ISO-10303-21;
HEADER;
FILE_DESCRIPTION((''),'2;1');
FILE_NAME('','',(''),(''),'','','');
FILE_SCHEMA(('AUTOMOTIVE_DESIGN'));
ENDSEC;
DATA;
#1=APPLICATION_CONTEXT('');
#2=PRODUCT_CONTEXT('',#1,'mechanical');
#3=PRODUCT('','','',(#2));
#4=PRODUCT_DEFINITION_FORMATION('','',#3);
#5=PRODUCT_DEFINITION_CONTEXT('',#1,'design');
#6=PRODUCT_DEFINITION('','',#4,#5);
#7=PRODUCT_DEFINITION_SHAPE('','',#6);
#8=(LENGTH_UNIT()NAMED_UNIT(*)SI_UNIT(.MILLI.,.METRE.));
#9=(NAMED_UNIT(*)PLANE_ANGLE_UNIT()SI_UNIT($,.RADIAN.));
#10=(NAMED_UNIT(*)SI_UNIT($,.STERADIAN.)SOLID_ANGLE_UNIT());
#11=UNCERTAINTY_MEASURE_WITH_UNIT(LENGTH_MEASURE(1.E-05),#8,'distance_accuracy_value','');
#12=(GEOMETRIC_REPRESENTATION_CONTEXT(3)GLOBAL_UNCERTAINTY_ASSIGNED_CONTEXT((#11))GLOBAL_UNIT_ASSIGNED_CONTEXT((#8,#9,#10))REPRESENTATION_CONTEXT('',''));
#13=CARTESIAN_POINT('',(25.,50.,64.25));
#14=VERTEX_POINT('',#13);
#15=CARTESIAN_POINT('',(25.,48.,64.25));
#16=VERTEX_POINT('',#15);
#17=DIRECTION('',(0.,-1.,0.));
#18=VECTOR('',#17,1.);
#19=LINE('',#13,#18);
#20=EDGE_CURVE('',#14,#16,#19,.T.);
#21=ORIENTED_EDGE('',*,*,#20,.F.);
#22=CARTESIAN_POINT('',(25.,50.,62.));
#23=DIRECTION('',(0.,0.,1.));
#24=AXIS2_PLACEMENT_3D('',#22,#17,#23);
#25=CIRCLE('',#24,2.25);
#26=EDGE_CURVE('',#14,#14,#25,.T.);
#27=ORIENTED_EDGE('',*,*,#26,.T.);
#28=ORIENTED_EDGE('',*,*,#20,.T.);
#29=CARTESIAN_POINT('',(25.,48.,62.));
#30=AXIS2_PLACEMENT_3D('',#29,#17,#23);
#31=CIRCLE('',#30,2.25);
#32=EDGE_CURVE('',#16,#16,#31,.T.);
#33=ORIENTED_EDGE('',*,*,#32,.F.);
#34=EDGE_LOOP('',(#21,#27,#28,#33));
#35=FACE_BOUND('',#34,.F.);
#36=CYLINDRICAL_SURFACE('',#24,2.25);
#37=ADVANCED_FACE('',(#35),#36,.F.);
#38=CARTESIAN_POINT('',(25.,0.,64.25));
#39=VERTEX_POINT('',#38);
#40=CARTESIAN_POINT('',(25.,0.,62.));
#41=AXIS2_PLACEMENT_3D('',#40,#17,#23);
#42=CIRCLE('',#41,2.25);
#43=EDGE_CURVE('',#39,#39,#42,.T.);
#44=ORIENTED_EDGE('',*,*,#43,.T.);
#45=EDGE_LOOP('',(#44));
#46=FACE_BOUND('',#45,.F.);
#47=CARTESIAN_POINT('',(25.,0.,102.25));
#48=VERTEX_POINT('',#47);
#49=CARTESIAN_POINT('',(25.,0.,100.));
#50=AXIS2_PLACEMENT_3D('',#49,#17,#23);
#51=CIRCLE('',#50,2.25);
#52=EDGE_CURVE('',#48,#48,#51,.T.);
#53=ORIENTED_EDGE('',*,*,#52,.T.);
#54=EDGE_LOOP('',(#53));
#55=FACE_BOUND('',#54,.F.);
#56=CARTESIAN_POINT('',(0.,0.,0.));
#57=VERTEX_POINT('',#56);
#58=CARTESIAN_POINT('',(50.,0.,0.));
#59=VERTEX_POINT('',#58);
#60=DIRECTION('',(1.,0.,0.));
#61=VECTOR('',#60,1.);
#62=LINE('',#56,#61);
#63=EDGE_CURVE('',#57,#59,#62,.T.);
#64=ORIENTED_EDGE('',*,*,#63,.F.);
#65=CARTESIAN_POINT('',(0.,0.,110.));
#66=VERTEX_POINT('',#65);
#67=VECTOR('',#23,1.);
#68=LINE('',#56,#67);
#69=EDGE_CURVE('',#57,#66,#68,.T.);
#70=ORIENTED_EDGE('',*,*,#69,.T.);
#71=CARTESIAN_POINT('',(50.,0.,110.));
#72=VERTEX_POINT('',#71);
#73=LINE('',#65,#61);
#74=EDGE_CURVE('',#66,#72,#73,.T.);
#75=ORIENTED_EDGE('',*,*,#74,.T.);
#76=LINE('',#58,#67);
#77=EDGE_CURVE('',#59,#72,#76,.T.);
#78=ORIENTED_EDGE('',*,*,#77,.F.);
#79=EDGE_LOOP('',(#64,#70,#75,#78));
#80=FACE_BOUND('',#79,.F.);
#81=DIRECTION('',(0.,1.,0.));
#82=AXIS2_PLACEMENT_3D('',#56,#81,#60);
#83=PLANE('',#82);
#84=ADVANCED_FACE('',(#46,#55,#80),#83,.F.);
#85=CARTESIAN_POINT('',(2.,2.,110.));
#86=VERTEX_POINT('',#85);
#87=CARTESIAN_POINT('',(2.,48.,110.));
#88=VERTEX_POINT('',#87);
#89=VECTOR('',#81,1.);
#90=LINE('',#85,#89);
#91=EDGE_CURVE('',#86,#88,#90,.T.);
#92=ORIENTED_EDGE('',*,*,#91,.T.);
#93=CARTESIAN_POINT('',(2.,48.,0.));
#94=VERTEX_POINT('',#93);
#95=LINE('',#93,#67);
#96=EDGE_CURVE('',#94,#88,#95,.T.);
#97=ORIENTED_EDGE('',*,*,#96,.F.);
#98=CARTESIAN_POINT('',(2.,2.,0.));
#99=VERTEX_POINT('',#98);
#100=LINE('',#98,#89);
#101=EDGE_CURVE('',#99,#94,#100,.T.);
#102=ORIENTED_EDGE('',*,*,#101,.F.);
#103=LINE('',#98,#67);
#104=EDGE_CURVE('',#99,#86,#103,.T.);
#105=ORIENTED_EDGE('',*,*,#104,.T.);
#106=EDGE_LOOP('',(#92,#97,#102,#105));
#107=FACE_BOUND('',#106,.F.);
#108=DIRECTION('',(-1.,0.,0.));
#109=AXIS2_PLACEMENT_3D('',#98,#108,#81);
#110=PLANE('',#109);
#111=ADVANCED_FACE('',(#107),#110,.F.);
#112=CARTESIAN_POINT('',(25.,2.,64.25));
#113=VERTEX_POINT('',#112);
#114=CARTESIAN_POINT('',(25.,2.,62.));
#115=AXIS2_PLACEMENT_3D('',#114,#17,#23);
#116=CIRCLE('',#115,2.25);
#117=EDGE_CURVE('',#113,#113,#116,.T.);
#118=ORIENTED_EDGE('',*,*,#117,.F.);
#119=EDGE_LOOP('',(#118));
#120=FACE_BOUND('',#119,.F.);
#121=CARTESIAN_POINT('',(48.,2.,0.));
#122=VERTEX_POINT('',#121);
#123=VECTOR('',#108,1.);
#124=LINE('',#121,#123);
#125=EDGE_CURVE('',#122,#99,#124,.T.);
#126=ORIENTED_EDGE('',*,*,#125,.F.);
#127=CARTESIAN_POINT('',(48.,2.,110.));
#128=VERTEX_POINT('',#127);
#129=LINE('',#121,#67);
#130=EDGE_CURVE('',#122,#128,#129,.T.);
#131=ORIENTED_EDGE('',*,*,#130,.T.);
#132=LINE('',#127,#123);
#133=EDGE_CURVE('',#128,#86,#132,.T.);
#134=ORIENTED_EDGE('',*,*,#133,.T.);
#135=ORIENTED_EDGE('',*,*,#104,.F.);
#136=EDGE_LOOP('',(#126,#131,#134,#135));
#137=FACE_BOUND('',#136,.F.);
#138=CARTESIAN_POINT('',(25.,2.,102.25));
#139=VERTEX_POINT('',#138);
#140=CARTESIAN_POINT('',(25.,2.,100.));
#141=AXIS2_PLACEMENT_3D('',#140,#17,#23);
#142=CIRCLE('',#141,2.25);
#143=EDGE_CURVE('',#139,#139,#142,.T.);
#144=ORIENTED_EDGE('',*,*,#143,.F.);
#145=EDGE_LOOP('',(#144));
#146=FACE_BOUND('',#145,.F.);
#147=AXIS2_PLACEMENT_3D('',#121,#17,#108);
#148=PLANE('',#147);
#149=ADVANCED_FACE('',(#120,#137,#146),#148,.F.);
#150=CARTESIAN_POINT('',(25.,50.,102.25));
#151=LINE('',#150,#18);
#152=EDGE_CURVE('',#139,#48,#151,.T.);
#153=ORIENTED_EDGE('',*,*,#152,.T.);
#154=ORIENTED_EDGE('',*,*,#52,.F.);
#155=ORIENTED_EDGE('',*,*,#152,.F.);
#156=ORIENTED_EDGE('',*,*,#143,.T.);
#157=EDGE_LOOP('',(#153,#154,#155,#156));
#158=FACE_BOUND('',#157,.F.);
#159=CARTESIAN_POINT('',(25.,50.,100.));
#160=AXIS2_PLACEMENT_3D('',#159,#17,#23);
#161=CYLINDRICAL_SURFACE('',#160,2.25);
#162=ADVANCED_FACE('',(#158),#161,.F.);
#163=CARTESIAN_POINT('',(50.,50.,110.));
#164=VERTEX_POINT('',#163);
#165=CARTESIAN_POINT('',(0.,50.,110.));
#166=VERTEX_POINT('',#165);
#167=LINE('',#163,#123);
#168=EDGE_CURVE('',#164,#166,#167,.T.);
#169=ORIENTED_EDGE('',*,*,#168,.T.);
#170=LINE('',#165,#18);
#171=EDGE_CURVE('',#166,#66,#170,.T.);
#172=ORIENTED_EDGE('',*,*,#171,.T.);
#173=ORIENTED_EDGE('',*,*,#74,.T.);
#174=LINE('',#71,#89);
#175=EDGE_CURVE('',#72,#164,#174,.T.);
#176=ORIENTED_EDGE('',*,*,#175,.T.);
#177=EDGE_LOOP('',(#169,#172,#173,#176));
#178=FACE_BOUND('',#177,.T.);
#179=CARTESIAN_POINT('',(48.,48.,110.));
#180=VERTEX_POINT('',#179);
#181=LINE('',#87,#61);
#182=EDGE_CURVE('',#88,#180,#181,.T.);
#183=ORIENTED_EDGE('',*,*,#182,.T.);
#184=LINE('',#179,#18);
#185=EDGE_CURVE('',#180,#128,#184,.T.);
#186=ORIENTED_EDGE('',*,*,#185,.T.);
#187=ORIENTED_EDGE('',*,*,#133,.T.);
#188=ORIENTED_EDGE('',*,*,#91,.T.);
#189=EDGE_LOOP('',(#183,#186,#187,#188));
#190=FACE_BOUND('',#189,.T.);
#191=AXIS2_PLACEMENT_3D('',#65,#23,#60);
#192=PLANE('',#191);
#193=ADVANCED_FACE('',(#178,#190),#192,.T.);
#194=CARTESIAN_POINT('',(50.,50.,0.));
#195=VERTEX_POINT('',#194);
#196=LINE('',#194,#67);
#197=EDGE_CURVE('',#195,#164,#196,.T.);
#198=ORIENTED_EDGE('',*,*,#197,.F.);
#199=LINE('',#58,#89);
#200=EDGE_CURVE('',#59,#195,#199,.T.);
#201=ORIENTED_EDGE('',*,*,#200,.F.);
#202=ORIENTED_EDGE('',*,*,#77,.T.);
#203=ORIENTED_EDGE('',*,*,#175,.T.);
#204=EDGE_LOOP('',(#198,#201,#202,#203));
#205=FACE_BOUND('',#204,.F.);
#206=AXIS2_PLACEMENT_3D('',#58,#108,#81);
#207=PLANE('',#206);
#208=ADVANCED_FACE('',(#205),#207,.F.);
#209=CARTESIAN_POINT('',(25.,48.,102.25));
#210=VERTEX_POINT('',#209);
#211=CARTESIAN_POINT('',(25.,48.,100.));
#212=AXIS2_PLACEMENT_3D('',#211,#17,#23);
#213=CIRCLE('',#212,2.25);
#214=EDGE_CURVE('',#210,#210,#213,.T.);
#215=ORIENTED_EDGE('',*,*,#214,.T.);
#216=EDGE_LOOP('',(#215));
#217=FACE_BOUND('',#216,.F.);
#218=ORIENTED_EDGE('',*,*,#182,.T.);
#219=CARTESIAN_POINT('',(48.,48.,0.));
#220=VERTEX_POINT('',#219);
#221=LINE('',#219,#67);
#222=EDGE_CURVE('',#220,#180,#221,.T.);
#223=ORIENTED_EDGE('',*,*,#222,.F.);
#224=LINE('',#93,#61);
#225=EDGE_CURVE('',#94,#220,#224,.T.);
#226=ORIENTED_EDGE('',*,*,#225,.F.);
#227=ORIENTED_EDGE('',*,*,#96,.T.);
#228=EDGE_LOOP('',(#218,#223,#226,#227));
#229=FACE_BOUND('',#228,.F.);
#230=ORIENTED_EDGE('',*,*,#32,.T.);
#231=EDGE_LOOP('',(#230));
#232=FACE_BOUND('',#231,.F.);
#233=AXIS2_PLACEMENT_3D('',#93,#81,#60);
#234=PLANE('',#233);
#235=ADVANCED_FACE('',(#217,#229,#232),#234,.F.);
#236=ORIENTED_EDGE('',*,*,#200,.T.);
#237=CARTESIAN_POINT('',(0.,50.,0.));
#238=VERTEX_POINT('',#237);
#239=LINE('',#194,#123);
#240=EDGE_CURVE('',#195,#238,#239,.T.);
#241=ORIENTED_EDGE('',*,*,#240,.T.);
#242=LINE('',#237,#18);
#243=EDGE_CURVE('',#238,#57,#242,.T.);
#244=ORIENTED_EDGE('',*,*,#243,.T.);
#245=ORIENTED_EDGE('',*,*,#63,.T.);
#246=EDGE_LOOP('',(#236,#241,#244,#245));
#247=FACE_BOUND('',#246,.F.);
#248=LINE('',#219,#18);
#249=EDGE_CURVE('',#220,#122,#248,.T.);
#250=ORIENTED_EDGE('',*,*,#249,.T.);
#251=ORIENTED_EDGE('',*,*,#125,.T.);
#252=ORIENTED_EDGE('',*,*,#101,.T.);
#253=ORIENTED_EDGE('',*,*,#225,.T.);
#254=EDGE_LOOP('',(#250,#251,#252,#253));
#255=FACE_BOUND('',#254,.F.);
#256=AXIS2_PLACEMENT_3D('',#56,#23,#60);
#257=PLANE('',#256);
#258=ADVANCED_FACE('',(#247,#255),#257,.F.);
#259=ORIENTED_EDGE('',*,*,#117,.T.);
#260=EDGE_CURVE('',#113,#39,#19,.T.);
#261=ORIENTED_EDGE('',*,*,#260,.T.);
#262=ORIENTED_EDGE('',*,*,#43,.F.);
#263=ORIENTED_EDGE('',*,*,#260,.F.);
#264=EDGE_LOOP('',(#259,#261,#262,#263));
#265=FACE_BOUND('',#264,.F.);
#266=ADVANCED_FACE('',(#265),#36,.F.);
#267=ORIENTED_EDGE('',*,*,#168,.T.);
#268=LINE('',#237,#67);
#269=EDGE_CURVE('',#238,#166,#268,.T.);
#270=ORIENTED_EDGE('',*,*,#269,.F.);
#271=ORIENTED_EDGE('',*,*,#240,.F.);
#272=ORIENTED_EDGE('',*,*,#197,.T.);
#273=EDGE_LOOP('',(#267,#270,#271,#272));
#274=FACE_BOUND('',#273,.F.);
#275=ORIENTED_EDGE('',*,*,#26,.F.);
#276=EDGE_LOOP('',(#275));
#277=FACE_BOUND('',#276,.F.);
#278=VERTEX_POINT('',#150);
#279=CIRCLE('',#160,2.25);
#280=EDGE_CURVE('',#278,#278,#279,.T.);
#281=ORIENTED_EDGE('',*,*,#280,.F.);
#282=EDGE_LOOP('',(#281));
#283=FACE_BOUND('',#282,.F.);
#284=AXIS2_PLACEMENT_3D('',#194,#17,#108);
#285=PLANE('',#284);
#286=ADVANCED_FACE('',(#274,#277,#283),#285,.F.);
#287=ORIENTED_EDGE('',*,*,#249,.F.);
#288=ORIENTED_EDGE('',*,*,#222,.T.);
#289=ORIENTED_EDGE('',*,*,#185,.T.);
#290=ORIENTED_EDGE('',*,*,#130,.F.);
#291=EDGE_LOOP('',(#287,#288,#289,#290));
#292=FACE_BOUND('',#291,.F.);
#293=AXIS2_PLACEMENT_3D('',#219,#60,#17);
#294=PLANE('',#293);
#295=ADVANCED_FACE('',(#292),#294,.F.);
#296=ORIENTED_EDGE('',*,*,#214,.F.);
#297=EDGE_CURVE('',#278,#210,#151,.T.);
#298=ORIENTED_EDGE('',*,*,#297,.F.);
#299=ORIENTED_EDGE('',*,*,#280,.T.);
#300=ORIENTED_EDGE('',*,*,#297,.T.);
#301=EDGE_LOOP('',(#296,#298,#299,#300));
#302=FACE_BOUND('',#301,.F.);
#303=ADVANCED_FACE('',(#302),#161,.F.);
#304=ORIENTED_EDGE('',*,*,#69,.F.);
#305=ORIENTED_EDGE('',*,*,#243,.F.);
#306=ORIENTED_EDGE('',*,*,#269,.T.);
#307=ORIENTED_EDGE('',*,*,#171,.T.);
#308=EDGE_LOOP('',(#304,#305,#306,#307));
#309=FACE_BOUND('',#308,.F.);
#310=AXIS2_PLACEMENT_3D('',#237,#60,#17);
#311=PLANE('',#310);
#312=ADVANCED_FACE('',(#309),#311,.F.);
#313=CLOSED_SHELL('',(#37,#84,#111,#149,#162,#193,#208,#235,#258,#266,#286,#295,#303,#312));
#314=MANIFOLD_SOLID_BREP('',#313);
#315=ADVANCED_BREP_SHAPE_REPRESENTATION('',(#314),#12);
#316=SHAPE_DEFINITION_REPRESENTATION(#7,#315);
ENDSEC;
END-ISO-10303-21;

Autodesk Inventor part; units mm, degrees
ref_plane "YZ Plane" through (0, 0, 0) normal (1, 0, 0) x (0, 1, 0)
ref_plane "XZ Plane" through (0, 0, 0) normal (0, 1, 0) x (-1, 0, 0)
ref_plane "XY Plane" through (0, 0, 0) normal (0, 0, 1) x (1, 0, 0)
sketch "スケッチ1" plane through (0, 0, 0) normal (0, 0, 1) x (1, 0, 0)
  line L0 (0, 0) -> (50, 0)
  line L1 (50, 0) -> (50, 50)
  line L2 (50, 50) -> (0, 50)
  line L3 (0, 50) -> (0, 0)
  line L4 (2, 48) -> (48, 48)
  line L5 (48, 48) -> (48, 2)
  line L6 (48, 2) -> (2, 2)
  line L7 (2, 2) -> (2, 48)
  dimension "d0" = 50
  dimension "d1" = 50
  dimension "d2" = 2
extrude "押し出し1" add sketch "スケッチ1" along normal blind 110
sketch "スケッチ5" plane through (0, 50, 0) normal (0, 1, 0) x (1, 0, 0)
  line L0 (50, 0) -> (0, 0) projected
  line L1 (0, 0) -> (0, -110) projected
  line L2 (50, -110) -> (0, -110) projected
  line L3 (50, 0) -> (50, -110) projected
  line L4 (25, 0) -> (25, -110) construction
  point P0 (0, 0)
  point P1 (25, -62)
  point P2 (25, -100)
  dimension "d42" = 38
  dimension "d43" = 10
hole "穴4" at (25, 50, 62) at (25, 50, 100) direction (0, -1, 0) diameter 4.5 end through all
properties part number "center" material "アルミニウム 6061"
